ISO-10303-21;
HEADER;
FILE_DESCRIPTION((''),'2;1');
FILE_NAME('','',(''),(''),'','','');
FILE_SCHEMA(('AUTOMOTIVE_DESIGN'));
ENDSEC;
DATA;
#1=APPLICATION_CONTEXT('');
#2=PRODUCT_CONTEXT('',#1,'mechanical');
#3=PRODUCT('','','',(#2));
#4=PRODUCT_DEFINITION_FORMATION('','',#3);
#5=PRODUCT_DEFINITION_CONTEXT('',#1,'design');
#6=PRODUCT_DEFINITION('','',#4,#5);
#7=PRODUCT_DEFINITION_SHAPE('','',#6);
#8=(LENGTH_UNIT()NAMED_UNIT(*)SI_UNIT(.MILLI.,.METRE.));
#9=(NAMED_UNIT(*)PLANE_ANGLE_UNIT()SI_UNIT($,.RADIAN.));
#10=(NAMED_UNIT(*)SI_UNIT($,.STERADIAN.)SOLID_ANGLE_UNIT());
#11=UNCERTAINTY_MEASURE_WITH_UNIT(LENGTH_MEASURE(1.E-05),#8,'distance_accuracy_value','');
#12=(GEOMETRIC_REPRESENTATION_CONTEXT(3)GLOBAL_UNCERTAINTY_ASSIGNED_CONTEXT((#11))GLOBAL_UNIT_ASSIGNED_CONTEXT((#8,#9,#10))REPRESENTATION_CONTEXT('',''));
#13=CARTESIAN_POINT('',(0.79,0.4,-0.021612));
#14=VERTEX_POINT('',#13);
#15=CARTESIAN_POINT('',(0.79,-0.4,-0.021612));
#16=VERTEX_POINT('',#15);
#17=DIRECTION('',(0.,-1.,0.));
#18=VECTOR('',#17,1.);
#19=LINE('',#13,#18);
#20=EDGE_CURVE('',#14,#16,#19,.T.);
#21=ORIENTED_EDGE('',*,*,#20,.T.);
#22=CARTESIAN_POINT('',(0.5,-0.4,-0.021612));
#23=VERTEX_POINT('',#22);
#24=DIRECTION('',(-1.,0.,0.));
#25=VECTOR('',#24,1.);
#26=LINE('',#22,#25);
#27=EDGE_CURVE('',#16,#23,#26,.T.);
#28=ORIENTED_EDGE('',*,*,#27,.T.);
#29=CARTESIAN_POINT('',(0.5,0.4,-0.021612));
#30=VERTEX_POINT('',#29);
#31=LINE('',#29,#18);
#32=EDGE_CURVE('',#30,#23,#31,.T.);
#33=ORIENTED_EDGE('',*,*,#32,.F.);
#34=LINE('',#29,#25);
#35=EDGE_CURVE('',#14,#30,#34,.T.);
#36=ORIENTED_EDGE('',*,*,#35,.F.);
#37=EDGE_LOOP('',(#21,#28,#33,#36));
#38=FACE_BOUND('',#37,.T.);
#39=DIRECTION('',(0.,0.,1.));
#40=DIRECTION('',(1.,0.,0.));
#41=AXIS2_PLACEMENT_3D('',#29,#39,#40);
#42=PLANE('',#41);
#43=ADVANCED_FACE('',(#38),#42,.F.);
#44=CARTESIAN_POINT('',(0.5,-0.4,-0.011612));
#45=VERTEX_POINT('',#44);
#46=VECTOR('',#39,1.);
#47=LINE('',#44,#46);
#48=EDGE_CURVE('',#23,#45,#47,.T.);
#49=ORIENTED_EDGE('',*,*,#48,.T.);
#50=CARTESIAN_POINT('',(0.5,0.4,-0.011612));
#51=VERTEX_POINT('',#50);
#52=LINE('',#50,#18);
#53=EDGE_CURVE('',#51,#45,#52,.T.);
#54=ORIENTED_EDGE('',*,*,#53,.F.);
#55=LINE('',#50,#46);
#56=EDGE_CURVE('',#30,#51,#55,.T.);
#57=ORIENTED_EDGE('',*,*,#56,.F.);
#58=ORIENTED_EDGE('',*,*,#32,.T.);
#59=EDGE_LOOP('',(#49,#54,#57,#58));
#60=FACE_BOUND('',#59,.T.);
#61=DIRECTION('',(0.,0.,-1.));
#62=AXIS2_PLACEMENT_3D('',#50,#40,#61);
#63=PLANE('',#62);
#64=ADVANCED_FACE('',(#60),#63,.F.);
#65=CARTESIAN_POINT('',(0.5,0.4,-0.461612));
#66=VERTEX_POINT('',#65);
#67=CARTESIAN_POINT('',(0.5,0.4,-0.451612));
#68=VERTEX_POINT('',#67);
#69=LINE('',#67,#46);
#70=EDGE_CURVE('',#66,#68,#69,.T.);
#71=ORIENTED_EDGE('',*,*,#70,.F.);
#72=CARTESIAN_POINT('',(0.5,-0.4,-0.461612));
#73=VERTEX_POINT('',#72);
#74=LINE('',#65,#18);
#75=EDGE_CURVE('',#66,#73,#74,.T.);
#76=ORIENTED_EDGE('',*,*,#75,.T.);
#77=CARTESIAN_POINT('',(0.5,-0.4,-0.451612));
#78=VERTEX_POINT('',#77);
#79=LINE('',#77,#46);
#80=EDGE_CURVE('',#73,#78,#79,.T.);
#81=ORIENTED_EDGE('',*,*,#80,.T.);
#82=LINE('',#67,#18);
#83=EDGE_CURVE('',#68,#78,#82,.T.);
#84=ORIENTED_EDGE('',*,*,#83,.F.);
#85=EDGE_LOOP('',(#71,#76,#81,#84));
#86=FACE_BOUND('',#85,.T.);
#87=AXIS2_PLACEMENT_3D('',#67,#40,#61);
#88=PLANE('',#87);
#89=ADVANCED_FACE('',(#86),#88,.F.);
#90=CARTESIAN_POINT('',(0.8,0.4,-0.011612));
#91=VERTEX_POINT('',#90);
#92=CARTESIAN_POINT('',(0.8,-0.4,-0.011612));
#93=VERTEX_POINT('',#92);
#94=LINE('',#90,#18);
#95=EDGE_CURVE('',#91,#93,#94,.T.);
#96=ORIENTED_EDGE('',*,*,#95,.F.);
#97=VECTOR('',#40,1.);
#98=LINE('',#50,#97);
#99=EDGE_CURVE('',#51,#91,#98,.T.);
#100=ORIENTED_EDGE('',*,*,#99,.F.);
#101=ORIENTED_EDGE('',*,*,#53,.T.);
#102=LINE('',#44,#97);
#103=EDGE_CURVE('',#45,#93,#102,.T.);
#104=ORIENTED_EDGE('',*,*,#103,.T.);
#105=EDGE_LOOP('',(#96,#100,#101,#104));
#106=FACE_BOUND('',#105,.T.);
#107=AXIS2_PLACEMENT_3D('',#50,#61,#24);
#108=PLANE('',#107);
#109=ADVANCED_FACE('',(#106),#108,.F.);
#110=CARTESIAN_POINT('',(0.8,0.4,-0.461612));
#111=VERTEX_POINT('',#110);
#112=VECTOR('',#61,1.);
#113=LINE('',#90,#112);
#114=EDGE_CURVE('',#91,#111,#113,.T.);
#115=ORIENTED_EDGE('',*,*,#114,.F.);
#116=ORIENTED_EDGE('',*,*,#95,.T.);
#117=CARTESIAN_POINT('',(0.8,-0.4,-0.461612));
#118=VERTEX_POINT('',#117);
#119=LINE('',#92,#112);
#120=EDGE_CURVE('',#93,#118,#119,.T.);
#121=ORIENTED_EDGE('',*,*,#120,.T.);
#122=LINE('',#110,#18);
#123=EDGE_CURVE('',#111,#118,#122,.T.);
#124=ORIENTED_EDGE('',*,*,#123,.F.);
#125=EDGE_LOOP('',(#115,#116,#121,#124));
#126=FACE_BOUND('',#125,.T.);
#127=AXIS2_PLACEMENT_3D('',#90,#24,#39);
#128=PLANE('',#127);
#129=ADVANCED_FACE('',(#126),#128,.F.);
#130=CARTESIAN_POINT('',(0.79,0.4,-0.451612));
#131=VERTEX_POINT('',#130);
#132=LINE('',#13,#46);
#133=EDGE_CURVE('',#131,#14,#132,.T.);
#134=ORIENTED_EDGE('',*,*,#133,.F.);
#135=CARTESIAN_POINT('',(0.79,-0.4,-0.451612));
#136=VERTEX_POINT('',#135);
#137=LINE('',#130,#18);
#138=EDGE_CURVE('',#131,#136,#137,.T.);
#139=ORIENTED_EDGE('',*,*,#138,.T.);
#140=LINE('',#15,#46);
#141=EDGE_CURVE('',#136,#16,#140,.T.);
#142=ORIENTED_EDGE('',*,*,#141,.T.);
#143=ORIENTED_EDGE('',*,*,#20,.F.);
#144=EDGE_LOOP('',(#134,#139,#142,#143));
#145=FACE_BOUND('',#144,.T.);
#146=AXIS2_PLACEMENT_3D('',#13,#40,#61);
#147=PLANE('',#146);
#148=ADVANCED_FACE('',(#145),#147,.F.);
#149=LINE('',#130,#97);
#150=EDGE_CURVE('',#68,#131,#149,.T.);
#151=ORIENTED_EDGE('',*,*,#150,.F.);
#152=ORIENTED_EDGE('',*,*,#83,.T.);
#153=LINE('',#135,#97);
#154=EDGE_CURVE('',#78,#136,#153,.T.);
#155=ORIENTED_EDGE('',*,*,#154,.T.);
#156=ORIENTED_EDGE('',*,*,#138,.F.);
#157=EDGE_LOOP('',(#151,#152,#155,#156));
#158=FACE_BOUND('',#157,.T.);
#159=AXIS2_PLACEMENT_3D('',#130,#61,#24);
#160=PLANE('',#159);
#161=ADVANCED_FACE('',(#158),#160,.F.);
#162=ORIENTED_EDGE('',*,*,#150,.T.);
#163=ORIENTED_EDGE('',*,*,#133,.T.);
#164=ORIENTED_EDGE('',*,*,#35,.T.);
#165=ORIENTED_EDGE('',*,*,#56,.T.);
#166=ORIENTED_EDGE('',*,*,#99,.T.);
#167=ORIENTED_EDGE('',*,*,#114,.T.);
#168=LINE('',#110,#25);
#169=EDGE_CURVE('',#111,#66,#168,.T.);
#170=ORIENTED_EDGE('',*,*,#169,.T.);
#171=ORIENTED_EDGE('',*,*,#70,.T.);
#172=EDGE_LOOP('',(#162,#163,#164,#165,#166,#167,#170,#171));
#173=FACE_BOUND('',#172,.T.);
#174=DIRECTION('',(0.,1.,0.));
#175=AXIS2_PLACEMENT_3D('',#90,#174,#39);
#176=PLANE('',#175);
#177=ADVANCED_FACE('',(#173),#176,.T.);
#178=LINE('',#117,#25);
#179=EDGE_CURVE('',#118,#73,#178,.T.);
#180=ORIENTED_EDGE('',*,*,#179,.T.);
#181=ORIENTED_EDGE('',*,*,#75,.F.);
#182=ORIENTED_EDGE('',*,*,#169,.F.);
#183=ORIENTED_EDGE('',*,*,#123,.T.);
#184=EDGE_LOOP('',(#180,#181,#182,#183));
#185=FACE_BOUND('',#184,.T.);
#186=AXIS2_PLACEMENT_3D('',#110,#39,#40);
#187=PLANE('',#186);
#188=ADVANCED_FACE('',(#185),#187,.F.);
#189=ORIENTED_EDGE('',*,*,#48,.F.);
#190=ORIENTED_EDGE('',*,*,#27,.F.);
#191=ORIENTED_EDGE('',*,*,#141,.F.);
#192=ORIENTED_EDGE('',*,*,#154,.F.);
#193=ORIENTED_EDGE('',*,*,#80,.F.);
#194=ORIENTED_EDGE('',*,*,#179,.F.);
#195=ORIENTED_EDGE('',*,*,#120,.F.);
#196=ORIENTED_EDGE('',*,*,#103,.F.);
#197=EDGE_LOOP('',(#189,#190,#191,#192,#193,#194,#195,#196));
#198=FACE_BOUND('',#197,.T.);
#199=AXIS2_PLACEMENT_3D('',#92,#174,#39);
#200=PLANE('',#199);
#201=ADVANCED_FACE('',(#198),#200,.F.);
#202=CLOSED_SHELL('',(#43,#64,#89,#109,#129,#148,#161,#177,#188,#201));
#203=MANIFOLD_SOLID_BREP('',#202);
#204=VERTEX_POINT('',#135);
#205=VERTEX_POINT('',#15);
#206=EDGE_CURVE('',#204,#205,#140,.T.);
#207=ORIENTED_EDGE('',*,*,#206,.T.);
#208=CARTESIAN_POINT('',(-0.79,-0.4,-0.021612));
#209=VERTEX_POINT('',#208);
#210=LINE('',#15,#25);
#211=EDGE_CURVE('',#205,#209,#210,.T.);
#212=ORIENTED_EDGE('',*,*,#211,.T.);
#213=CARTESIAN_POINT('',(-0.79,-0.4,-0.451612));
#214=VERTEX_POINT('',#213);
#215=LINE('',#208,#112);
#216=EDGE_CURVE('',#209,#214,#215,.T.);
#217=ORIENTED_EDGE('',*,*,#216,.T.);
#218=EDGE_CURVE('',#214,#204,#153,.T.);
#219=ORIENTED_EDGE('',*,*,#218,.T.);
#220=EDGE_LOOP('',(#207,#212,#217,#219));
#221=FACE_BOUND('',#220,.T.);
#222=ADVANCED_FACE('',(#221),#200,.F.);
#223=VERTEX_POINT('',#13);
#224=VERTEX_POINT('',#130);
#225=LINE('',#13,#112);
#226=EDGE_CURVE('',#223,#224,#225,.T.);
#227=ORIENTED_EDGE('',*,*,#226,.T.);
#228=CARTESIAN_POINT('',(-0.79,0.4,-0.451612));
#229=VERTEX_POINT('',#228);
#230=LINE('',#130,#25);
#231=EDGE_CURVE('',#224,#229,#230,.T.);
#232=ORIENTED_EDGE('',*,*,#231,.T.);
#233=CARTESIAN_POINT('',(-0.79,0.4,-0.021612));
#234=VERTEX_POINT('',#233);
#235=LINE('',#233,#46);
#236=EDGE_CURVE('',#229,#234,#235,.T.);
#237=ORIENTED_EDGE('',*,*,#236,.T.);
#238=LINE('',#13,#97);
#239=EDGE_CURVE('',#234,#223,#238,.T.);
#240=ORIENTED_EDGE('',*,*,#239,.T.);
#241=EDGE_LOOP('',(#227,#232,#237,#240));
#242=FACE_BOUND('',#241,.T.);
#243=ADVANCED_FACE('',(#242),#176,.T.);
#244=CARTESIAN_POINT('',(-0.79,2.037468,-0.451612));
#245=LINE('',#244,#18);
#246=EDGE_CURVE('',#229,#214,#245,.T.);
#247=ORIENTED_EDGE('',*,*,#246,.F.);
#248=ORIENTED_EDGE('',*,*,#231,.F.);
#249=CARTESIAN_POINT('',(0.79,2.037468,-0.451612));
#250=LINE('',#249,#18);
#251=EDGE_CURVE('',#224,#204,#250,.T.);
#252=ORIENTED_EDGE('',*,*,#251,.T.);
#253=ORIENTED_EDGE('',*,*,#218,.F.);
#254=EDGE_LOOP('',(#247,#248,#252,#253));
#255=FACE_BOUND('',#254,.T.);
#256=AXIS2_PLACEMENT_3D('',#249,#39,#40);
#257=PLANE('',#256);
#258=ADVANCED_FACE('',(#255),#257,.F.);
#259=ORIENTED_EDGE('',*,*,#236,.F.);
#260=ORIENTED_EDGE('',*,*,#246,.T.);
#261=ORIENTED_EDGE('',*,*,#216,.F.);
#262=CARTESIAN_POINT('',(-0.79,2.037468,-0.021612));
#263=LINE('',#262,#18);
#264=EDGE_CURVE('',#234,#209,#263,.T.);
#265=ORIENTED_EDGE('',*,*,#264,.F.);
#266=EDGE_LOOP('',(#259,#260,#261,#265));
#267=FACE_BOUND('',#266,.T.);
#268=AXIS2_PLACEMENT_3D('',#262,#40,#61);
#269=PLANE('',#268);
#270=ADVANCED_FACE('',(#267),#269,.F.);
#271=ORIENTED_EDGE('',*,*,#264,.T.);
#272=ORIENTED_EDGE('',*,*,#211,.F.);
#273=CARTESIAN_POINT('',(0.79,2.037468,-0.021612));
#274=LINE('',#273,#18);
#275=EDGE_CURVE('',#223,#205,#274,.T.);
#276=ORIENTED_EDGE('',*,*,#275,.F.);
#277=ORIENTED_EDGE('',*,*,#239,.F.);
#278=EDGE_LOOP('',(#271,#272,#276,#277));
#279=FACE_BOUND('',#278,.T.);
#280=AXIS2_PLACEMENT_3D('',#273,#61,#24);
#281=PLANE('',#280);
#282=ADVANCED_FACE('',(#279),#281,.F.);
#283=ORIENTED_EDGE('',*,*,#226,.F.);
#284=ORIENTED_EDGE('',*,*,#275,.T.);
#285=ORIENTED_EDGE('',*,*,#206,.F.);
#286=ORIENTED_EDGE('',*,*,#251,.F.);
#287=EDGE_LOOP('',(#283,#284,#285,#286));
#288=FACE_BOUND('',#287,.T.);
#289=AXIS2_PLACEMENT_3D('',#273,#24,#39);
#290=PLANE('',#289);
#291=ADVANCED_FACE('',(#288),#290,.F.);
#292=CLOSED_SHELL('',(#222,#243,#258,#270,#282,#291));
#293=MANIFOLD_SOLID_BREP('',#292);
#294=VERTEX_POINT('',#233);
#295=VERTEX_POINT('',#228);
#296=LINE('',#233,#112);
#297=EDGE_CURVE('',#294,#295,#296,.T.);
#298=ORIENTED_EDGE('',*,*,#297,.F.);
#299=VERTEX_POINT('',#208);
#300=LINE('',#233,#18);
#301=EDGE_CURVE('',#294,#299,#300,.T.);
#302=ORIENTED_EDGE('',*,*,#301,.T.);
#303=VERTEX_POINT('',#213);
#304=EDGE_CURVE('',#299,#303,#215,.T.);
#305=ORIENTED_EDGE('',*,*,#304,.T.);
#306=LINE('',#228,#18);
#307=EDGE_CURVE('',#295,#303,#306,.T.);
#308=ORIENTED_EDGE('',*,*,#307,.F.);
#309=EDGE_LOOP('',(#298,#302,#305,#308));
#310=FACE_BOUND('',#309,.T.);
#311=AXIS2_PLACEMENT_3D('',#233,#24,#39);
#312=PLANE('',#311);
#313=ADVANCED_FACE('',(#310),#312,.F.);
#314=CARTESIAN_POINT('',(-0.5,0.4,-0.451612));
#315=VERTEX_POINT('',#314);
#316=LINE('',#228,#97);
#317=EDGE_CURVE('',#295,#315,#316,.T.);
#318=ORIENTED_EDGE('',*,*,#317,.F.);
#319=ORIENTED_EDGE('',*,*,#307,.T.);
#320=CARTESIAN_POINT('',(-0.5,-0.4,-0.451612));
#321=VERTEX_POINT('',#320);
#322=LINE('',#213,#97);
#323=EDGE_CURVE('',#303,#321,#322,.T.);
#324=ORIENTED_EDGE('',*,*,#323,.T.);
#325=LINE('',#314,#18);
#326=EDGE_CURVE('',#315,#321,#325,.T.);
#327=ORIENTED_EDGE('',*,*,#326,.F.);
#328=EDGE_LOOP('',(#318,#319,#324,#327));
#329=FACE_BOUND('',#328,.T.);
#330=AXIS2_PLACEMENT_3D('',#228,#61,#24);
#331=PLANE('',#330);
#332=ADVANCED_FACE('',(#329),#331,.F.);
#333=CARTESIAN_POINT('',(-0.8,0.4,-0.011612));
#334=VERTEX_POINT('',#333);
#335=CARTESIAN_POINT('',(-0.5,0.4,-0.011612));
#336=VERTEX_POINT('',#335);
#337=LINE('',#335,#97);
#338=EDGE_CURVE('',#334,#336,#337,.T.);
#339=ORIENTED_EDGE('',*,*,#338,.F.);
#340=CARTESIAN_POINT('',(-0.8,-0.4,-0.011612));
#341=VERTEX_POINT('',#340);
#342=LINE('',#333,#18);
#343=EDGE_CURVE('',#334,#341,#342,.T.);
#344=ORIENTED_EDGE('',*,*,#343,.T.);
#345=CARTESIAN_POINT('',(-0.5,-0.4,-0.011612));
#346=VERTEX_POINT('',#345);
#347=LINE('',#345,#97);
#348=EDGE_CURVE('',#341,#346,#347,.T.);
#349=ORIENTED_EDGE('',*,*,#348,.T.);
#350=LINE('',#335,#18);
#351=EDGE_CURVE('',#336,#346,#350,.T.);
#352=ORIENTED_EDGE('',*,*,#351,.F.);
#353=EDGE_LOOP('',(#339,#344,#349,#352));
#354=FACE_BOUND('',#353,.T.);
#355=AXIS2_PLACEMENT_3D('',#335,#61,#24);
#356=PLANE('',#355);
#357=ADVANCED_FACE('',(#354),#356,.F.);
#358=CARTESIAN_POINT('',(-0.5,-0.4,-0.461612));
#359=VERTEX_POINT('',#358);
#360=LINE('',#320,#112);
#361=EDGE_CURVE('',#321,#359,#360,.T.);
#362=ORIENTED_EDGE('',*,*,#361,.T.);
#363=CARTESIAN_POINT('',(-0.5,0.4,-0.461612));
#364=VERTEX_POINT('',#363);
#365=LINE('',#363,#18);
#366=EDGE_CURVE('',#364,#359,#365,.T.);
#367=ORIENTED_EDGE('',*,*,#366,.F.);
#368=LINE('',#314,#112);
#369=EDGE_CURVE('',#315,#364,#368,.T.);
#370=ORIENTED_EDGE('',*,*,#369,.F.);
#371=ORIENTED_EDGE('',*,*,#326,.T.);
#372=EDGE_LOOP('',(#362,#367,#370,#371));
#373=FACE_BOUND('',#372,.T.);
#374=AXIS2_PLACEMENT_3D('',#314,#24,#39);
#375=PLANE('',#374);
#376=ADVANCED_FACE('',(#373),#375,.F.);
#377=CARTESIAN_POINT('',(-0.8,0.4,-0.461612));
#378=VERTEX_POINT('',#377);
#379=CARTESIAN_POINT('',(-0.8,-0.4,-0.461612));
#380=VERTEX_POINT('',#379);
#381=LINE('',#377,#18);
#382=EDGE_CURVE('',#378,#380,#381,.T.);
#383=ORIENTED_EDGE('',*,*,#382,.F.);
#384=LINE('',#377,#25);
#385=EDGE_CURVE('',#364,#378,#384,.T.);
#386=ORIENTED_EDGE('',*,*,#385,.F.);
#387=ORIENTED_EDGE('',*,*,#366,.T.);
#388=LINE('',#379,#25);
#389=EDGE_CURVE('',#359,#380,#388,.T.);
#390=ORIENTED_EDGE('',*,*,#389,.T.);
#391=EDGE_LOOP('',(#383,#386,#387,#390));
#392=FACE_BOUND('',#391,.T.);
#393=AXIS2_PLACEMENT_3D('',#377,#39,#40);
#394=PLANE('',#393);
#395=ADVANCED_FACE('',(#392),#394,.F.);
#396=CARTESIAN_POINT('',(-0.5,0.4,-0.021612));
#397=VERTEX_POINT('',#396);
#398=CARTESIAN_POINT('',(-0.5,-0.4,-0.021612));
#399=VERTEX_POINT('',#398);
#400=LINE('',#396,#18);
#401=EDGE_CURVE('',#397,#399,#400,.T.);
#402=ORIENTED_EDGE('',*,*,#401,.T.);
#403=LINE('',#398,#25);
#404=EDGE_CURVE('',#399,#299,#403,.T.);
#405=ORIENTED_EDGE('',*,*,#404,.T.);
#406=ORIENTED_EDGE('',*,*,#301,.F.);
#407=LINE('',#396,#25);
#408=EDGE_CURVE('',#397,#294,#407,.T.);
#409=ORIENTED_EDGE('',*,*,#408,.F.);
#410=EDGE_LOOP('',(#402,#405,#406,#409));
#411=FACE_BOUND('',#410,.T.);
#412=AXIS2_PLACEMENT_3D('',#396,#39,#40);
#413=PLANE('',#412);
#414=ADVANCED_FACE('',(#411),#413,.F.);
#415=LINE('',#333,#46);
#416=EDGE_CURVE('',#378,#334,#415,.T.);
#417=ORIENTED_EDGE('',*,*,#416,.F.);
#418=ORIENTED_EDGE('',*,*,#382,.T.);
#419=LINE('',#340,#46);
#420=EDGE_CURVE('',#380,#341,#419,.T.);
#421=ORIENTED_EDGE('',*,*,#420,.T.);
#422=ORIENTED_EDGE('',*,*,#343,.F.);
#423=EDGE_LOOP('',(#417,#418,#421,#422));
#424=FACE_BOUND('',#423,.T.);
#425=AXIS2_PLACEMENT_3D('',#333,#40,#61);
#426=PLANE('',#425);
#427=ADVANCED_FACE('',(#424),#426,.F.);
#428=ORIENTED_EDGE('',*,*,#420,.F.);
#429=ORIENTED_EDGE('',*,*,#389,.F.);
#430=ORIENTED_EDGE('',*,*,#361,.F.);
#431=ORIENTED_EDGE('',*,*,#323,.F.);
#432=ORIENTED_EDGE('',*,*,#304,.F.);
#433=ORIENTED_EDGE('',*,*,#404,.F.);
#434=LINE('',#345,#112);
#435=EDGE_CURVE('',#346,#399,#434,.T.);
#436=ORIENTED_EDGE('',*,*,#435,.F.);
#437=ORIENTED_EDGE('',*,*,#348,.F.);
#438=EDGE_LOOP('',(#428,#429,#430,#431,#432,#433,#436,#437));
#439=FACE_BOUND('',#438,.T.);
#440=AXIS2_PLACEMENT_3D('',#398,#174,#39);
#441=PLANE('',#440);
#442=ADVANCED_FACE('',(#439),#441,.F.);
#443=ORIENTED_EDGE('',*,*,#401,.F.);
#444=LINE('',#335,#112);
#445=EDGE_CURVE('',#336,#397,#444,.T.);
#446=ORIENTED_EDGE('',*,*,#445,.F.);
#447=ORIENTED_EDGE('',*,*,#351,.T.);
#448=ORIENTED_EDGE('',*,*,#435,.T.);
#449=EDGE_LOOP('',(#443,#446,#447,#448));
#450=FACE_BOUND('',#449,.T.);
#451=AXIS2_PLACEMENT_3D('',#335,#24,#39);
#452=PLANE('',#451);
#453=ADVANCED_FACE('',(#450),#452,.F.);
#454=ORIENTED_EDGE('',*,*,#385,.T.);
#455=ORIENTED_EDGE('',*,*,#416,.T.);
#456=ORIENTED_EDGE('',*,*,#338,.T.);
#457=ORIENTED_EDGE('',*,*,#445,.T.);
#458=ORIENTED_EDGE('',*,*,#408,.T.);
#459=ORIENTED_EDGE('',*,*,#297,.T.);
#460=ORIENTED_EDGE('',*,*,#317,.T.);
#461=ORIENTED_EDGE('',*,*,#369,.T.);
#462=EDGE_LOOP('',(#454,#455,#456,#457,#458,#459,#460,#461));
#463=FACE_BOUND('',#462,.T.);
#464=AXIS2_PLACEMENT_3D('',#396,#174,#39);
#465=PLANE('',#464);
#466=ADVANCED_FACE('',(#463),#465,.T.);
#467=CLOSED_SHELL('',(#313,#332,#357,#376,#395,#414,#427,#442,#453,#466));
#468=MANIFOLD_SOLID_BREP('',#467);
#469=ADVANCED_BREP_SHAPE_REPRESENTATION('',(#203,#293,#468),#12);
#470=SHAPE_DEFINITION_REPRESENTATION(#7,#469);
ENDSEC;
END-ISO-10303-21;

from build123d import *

# Parameters (mm, degrees)
BOSS_EXTRUDE2_DEPTH   = 0.4
BOSS_EXTRUDE2_2_DEPTH = 0.4
BOSS_EXTRUDE3_START   = -0.4
SKETCH5_W             = 0.43
SKETCH5_H             = 1.58
BOSS_EXTRUDE3_DEPTH   = 0.8


with BuildPart() as part:
    # Sketch4 → Boss-Extrude2 (new body, symmetric)
    with BuildSketch(Plane(origin=(0, 0, 0), x_dir=(-1, 0, 0), z_dir=(0, 1, 0))):
        Polygon((-0.8, -0.011612161), (-0.8, -0.461612161), (-0.5, -0.461612161), (-0.5, -0.451612161), (-0.79, -0.451612161), (-0.79, -0.021612161), (-0.5, -0.021612161), (-0.5, -0.011612161), align=None)
    extrude(amount=BOSS_EXTRUDE2_DEPTH, both=True)


with BuildPart() as body_2:
    # Sketch4 → Boss-Extrude2 2 (new body, symmetric)
    with BuildSketch(Plane(origin=(0, 0, 0), x_dir=(-1, 0, 0), z_dir=(0, 1, 0))):
        Polygon((0.5, -0.011612161), (0.8, -0.011612161), (0.8, -0.461612161), (0.5, -0.461612161), (0.5, -0.451612161), (0.79, -0.451612161), (0.79, -0.021612161), (0.5, -0.021612161), align=None)
    extrude(amount=BOSS_EXTRUDE2_2_DEPTH, both=True)


with BuildPart() as body_3:
    # Sketch5 → Boss-Extrude3 (new body)
    with BuildSketch(Plane(origin=(0, 0, 0), x_dir=(0, 0, -1), z_dir=(0, 1, 0)).offset(BOSS_EXTRUDE3_START)):
        with Locations((0.236612161, 0)):
            Rectangle(SKETCH5_W, SKETCH5_H)
    extrude(amount=BOSS_EXTRUDE3_DEPTH)


solid = Compound([part.part, body_2.part, body_3.part])
